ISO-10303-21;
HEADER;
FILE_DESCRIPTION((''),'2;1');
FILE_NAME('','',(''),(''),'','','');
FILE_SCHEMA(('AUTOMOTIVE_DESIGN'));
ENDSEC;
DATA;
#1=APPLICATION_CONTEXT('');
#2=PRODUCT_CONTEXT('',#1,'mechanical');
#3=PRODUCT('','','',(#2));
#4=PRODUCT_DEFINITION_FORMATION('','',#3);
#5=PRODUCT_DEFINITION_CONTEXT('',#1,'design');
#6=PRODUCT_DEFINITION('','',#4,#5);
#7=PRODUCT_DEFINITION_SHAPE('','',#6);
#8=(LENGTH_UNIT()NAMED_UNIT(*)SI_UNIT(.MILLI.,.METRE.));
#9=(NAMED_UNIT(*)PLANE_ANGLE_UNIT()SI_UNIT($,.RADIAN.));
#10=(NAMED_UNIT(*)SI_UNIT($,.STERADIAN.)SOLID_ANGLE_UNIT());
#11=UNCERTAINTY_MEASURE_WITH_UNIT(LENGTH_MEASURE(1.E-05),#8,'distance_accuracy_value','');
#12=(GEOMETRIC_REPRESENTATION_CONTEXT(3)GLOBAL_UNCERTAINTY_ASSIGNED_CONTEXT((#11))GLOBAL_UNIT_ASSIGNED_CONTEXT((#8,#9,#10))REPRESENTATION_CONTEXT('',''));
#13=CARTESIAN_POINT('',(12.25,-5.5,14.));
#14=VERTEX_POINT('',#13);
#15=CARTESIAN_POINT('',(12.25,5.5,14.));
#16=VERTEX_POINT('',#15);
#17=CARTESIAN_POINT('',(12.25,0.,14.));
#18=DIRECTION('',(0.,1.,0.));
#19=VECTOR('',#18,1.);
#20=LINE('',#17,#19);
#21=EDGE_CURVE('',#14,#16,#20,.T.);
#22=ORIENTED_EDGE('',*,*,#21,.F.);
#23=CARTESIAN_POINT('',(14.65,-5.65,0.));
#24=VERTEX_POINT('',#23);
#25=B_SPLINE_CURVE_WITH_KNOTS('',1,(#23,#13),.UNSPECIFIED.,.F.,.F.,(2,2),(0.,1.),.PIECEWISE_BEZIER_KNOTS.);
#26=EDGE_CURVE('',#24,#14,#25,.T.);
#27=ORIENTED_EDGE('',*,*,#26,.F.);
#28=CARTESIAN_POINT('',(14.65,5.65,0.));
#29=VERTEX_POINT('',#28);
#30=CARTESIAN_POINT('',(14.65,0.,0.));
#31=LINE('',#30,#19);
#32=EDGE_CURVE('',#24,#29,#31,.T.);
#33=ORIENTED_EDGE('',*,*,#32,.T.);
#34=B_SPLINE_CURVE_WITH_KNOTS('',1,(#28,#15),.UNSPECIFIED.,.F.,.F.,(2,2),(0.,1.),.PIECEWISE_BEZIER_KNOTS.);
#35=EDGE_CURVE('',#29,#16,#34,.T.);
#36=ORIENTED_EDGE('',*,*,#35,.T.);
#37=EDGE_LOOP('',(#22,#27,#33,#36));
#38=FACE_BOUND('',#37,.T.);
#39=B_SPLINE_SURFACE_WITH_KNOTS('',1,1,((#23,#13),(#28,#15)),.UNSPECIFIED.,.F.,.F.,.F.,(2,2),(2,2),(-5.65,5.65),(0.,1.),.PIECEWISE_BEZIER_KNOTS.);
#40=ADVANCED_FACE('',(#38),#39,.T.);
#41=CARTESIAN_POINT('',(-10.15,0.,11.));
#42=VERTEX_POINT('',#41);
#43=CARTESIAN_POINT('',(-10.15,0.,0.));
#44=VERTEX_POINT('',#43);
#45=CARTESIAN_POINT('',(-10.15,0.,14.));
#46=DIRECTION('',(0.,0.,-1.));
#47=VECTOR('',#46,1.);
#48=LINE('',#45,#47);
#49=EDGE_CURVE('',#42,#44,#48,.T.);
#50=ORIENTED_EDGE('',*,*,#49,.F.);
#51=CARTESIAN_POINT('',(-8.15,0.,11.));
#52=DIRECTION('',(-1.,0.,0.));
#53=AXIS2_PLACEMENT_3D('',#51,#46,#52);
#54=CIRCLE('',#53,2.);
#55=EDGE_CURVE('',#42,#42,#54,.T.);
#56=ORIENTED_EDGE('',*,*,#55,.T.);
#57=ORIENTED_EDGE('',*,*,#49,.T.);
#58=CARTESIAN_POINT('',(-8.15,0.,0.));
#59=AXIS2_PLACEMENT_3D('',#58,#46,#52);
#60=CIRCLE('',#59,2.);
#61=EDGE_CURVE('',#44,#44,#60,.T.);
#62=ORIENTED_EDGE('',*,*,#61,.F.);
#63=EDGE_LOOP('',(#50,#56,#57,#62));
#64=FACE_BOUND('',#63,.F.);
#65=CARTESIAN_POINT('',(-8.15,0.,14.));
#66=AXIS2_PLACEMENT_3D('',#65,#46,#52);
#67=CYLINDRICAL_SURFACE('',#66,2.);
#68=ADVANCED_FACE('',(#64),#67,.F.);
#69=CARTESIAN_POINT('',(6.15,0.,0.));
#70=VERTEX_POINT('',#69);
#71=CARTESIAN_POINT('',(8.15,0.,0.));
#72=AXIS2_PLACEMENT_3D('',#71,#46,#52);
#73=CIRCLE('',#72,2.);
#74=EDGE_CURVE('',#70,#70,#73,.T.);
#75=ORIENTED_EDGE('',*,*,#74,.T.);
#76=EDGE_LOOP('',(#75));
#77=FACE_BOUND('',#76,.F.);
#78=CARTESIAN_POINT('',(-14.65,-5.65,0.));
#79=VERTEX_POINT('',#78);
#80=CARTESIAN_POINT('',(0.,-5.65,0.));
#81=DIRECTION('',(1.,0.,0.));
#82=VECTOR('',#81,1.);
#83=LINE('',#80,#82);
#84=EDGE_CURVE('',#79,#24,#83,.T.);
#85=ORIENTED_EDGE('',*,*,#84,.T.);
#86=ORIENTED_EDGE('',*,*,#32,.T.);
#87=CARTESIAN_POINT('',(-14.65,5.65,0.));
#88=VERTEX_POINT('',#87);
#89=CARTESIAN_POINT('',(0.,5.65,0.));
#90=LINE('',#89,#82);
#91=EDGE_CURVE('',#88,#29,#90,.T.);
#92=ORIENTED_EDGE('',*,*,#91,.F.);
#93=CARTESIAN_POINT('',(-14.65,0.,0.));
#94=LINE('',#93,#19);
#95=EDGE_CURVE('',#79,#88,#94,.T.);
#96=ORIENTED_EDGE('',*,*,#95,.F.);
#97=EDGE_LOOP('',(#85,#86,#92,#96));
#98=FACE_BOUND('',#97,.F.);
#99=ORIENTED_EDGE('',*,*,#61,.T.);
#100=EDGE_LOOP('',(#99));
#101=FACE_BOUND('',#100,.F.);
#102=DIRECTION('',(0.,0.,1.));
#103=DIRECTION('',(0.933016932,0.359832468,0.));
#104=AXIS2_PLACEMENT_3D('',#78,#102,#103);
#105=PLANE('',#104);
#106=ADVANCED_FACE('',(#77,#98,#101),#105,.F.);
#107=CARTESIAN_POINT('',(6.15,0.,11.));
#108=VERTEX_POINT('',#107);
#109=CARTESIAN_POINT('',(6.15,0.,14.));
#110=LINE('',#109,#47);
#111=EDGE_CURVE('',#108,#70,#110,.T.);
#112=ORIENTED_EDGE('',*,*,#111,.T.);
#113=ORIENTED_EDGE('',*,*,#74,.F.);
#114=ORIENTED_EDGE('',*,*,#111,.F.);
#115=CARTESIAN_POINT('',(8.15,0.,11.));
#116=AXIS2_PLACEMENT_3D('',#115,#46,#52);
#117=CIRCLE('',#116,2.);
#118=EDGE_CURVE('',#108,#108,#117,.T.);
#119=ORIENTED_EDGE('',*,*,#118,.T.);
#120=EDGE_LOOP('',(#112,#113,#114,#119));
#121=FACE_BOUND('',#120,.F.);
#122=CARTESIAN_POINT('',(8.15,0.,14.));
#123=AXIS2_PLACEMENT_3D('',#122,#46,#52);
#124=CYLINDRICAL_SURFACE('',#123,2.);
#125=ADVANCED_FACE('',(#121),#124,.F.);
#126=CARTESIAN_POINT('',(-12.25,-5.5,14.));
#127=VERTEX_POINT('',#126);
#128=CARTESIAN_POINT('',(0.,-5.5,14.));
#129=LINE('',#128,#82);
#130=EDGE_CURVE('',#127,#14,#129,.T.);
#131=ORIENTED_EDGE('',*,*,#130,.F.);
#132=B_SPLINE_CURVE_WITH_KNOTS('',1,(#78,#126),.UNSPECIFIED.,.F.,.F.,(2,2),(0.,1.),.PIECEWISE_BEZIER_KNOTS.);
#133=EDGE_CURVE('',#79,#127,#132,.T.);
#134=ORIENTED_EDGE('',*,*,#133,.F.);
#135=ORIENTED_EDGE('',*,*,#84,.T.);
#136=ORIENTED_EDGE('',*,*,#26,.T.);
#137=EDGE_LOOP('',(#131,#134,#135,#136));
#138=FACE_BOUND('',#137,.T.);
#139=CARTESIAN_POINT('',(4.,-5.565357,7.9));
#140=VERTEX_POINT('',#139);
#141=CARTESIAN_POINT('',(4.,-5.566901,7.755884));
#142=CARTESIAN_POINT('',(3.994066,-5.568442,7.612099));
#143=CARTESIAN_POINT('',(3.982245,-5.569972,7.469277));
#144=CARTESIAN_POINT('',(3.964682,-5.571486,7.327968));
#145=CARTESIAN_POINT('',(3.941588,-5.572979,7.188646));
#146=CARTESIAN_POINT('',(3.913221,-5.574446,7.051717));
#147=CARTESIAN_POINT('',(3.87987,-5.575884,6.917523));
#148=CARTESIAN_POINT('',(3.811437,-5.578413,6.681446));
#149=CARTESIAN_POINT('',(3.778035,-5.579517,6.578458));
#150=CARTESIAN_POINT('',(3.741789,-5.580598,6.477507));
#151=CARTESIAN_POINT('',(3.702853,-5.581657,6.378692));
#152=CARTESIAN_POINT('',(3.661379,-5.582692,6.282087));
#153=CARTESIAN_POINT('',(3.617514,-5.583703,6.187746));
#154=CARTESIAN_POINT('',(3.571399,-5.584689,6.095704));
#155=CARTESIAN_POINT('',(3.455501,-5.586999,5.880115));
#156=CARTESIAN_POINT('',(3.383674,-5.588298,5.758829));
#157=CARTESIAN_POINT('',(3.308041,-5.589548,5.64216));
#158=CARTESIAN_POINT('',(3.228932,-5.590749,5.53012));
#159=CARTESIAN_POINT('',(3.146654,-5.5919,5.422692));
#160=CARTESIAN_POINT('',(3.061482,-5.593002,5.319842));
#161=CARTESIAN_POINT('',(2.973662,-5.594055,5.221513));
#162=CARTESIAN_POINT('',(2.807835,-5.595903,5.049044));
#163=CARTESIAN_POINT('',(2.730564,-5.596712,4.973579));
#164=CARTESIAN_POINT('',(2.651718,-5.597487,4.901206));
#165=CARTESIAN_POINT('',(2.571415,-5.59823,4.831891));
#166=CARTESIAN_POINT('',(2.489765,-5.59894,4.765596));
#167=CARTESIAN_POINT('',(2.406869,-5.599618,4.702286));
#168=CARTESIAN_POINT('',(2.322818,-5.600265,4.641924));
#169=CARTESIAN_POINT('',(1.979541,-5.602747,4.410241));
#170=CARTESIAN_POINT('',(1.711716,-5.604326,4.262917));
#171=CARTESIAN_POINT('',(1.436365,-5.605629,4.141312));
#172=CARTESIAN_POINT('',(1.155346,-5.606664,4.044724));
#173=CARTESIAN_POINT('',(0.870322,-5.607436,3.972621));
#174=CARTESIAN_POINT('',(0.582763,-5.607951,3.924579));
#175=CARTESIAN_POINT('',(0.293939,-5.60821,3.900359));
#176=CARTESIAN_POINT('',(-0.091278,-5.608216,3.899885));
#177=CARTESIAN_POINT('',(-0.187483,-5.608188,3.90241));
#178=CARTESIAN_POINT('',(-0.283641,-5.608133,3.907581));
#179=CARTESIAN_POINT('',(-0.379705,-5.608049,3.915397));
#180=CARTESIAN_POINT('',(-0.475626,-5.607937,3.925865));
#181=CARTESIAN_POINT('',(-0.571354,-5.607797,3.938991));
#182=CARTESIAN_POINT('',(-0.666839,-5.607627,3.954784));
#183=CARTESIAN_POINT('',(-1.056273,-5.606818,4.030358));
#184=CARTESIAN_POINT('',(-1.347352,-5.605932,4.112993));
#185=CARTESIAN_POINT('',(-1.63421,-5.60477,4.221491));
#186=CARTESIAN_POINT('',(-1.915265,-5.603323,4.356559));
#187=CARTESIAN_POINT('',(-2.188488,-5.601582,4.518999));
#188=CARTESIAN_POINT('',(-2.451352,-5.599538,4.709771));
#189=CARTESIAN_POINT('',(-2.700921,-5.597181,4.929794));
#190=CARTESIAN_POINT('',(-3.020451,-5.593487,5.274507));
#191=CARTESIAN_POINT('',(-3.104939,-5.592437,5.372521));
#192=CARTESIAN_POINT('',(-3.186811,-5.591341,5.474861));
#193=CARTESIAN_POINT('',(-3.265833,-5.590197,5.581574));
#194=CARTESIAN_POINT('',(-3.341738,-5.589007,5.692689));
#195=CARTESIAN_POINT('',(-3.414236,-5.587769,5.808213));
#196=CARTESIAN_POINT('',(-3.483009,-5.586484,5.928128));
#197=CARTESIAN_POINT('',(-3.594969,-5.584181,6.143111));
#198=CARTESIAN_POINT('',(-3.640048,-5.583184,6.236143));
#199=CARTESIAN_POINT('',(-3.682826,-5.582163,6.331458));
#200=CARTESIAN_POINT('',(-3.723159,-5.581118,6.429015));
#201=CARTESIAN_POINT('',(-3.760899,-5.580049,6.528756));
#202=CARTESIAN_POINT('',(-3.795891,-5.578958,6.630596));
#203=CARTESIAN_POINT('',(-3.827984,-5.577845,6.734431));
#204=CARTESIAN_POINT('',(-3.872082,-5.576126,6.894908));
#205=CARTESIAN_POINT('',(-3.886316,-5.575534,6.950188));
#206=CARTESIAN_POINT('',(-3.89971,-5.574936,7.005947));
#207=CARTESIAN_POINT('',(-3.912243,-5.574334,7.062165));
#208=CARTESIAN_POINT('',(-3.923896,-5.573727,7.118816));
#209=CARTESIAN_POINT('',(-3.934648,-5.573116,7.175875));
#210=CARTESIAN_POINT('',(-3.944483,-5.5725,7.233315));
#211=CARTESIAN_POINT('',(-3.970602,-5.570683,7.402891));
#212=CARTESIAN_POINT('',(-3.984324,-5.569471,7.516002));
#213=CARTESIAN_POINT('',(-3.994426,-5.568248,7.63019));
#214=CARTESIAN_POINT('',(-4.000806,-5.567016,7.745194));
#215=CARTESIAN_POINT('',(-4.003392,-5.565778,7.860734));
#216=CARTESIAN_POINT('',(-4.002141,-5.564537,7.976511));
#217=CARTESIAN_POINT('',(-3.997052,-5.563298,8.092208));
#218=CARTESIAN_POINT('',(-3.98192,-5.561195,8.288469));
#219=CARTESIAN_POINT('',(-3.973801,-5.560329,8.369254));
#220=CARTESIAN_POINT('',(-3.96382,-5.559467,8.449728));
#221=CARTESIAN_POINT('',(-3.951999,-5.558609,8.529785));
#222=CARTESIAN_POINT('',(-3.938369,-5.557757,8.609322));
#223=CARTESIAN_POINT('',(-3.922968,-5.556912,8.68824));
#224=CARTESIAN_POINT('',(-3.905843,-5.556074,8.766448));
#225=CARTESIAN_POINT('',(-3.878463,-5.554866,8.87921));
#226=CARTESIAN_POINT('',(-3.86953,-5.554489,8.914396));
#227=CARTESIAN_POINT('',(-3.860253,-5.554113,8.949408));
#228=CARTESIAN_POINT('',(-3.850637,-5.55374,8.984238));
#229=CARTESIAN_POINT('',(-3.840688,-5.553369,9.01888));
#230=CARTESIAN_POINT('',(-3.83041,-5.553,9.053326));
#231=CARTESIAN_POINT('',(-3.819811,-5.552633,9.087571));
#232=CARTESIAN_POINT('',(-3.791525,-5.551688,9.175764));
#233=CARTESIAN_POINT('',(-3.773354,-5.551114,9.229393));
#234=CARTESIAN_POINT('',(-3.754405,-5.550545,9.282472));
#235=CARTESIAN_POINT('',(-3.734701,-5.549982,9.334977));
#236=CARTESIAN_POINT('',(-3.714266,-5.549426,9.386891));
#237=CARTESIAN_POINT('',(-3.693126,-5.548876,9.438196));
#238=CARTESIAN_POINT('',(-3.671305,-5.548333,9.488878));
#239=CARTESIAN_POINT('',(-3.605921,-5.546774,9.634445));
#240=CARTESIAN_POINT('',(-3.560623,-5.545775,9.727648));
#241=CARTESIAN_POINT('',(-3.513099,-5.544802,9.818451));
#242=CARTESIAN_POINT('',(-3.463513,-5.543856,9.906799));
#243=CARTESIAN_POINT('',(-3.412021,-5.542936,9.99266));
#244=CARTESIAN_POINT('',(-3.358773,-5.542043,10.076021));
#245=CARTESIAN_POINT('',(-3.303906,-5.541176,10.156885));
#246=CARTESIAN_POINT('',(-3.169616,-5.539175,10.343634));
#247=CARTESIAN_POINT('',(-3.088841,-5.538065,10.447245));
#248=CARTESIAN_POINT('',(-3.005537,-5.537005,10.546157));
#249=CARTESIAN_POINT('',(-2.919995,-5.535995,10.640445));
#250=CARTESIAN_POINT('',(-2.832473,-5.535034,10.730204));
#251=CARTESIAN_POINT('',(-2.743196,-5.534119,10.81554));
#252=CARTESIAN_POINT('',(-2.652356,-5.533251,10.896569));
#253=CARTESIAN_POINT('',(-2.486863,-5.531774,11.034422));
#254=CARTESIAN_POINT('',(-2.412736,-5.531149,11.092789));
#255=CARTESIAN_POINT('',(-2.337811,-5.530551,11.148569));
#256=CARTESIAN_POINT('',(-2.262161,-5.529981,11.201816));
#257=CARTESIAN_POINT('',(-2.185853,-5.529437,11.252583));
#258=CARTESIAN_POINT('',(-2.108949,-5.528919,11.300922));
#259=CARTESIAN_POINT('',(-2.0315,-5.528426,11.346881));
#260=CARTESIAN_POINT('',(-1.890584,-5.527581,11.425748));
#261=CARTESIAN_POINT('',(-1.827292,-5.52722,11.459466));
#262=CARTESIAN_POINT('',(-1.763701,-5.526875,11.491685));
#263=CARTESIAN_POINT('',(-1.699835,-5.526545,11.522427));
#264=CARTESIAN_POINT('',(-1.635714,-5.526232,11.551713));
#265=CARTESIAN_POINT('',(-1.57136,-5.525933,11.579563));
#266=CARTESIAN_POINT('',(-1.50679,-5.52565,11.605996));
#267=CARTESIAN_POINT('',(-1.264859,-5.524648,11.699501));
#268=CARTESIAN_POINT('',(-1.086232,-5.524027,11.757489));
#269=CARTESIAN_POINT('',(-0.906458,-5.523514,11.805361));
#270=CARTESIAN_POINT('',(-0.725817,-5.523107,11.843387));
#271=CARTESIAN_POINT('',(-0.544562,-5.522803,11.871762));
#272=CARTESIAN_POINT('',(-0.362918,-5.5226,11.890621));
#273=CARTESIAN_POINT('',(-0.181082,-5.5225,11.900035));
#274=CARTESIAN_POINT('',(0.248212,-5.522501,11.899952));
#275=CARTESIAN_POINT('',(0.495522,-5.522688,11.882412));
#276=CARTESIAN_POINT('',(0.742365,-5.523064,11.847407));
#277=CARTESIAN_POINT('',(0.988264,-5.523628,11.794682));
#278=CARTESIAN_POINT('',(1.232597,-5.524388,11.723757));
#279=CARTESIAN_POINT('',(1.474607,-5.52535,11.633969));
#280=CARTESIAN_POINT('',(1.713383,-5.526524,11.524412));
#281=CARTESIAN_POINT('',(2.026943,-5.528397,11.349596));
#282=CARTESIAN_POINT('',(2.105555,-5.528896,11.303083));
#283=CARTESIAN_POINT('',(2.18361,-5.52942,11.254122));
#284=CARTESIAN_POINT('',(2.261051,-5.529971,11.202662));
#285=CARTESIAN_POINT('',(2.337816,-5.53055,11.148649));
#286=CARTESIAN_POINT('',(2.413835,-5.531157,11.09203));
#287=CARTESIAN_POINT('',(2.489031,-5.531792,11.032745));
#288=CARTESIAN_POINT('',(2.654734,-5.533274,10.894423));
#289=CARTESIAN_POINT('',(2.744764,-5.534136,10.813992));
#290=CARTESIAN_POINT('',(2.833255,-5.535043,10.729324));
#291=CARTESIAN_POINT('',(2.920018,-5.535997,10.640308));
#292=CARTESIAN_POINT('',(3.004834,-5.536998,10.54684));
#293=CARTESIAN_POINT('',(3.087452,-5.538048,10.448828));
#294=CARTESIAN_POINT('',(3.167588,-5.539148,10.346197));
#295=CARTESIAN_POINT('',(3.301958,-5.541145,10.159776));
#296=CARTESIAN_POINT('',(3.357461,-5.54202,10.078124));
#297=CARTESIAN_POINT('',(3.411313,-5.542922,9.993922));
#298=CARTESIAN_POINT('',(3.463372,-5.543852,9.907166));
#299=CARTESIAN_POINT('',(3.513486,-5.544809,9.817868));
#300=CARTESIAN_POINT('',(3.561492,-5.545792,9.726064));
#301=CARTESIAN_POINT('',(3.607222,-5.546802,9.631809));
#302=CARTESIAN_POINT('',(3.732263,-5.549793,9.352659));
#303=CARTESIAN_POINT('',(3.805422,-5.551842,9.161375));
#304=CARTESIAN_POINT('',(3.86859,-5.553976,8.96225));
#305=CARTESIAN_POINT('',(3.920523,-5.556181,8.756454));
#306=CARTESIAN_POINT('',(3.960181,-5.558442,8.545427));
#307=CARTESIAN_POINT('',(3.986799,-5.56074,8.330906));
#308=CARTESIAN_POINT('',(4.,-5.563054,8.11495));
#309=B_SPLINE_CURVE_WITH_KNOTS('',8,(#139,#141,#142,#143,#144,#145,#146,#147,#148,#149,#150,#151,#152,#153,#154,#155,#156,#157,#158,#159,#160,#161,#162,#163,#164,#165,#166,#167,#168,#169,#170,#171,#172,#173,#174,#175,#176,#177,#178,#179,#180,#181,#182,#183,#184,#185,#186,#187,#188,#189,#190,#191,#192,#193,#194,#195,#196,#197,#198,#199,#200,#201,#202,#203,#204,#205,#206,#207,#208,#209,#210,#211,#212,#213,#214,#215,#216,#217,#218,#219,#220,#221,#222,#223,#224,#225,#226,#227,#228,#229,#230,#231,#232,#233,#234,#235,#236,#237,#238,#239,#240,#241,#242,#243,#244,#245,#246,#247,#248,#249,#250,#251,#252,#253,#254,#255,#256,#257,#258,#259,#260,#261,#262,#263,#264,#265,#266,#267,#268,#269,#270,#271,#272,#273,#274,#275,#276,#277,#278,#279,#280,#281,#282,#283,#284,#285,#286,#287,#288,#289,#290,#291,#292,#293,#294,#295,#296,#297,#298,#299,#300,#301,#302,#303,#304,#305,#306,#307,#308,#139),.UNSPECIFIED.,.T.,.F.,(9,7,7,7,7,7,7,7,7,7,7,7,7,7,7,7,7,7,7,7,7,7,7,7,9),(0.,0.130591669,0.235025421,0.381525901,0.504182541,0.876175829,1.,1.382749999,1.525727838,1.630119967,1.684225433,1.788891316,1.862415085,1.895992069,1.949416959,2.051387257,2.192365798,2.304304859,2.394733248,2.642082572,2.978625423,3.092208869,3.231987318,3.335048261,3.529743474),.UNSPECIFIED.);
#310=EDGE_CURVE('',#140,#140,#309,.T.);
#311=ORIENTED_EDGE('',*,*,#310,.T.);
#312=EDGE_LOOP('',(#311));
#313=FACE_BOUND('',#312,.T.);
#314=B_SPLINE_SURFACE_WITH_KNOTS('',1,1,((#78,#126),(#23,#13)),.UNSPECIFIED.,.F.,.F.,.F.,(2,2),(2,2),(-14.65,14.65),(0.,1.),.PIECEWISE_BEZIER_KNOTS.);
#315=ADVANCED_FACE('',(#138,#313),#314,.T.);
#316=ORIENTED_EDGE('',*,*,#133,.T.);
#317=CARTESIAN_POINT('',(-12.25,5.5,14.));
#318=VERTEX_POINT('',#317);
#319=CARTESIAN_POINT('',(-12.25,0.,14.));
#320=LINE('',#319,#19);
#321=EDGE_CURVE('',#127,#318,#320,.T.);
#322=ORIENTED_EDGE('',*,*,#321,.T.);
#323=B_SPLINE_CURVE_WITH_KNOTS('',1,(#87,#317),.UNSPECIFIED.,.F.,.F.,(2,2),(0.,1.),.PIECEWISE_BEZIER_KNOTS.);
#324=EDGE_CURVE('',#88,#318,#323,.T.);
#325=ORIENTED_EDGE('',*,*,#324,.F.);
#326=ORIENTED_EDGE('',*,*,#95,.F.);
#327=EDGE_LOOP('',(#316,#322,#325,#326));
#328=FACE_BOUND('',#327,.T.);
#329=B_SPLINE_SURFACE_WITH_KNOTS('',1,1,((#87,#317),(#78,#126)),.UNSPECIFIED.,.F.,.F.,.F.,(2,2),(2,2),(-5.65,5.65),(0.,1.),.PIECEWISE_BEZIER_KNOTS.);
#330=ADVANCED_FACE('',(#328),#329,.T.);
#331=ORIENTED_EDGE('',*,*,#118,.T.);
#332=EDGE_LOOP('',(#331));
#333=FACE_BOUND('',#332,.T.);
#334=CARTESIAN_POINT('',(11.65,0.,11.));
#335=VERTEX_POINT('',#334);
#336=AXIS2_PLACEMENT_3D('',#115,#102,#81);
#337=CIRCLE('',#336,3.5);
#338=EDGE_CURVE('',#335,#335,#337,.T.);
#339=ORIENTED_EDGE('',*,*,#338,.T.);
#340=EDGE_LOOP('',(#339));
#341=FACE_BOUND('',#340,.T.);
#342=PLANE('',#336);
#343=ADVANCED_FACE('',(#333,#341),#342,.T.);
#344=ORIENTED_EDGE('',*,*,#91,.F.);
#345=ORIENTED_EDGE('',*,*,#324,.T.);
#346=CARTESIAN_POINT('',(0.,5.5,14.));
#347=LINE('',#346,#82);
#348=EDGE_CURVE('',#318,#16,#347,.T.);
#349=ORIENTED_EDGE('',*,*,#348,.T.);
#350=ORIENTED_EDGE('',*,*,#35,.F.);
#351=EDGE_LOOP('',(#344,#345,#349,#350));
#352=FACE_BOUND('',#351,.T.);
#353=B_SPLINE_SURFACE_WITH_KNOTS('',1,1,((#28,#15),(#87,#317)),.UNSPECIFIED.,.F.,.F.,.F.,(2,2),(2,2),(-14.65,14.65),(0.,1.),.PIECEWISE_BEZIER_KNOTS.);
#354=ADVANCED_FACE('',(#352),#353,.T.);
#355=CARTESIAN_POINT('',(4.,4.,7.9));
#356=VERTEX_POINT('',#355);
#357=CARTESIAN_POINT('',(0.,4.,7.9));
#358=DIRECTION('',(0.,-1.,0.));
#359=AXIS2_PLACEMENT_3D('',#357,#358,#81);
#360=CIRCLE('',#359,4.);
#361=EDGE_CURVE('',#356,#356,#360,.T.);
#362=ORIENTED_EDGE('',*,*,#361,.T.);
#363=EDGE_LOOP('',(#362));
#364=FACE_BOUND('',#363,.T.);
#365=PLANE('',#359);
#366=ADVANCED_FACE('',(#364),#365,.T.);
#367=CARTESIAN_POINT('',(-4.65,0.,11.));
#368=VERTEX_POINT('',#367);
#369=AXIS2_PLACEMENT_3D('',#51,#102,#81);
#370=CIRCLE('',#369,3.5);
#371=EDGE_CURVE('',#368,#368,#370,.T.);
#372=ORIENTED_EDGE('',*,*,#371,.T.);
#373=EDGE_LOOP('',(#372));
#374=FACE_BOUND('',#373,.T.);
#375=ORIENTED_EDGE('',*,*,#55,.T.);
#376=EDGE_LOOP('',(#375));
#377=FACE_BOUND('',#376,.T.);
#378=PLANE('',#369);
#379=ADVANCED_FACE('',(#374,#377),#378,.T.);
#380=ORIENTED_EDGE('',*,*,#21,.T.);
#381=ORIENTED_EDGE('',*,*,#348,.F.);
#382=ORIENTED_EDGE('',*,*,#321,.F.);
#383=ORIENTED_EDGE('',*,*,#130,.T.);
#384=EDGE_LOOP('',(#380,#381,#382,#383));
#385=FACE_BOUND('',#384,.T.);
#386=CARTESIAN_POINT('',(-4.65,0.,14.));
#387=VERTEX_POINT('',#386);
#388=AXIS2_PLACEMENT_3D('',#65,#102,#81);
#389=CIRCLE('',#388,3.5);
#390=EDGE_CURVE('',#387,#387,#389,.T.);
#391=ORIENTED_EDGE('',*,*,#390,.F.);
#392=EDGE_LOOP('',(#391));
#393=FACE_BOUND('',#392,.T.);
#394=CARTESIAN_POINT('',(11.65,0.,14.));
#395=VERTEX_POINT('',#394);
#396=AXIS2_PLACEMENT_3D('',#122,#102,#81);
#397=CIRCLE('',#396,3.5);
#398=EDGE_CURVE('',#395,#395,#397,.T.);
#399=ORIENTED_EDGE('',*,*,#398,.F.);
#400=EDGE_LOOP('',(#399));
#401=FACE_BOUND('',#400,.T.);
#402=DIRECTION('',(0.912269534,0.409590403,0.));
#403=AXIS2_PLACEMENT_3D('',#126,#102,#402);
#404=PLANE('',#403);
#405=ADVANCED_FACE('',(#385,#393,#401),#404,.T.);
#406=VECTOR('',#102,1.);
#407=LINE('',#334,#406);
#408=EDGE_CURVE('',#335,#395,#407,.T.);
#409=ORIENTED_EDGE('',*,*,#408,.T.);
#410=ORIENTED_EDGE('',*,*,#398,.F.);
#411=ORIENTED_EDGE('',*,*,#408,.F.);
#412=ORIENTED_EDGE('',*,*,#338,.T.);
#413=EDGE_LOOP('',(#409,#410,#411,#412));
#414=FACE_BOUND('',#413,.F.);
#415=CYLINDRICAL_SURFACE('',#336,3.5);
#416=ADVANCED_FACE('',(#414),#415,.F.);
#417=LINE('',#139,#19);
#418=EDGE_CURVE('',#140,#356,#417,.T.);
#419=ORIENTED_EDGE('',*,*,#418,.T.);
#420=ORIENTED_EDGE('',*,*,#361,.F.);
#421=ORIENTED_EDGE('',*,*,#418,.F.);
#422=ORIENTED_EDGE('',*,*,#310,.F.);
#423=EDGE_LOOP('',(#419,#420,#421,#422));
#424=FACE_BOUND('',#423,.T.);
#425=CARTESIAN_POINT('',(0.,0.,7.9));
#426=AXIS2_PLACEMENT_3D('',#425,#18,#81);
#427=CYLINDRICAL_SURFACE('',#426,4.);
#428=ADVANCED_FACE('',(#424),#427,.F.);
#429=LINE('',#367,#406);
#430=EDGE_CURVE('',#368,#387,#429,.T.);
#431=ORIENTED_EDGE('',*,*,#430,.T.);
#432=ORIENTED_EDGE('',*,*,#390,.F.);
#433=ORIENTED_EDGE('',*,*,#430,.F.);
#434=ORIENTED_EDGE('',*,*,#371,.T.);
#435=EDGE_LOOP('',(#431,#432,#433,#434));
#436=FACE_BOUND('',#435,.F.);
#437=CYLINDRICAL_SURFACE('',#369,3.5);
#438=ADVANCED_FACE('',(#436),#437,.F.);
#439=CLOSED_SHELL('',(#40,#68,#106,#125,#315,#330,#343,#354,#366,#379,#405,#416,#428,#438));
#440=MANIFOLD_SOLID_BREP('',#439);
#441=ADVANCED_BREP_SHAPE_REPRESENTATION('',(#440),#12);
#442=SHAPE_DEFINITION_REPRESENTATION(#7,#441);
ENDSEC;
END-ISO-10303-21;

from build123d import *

# Parameters (mm, degrees)
F0_W           = 29.3
F0_H           = 11.3
F2_W           = 24.5
F2_H           = 11
F6_D           = 4
F6_CBORE_D     = 7
F6_CBORE_DEPTH = 3
F7_R           = 4
F8_DEPTH       = 5.6510001
F8_DEPTH_BACK  = 4


with BuildPart() as f3:
    # F0 (on Top) → F3 section 0
    with BuildSketch(Plane.XY):
        Rectangle(F0_W, F0_H)
    # F2 (on offset) → F3 section 1
    with BuildSketch(Plane.XY.offset(14)):
        Rectangle(F2_W, F2_H)
    loft()

    # F6 (through all)
    with Locations(Plane.XY.offset(14)):
        with Locations((-8.15, 0), (8.15, 0)):
            CounterBoreHole(F6_D / 2, F6_CBORE_D / 2, F6_CBORE_DEPTH)

    # F7 (on Front) → F8 (cut, two sides)
    with BuildSketch(Plane.XZ) as f8_sk:
        with Locations((0, 7.9)):
            Circle(F7_R)
    extrude(amount=F8_DEPTH, mode=Mode.SUBTRACT)
    extrude(f8_sk.sketch, amount=-F8_DEPTH_BACK, mode=Mode.SUBTRACT)


solid = f3.part
